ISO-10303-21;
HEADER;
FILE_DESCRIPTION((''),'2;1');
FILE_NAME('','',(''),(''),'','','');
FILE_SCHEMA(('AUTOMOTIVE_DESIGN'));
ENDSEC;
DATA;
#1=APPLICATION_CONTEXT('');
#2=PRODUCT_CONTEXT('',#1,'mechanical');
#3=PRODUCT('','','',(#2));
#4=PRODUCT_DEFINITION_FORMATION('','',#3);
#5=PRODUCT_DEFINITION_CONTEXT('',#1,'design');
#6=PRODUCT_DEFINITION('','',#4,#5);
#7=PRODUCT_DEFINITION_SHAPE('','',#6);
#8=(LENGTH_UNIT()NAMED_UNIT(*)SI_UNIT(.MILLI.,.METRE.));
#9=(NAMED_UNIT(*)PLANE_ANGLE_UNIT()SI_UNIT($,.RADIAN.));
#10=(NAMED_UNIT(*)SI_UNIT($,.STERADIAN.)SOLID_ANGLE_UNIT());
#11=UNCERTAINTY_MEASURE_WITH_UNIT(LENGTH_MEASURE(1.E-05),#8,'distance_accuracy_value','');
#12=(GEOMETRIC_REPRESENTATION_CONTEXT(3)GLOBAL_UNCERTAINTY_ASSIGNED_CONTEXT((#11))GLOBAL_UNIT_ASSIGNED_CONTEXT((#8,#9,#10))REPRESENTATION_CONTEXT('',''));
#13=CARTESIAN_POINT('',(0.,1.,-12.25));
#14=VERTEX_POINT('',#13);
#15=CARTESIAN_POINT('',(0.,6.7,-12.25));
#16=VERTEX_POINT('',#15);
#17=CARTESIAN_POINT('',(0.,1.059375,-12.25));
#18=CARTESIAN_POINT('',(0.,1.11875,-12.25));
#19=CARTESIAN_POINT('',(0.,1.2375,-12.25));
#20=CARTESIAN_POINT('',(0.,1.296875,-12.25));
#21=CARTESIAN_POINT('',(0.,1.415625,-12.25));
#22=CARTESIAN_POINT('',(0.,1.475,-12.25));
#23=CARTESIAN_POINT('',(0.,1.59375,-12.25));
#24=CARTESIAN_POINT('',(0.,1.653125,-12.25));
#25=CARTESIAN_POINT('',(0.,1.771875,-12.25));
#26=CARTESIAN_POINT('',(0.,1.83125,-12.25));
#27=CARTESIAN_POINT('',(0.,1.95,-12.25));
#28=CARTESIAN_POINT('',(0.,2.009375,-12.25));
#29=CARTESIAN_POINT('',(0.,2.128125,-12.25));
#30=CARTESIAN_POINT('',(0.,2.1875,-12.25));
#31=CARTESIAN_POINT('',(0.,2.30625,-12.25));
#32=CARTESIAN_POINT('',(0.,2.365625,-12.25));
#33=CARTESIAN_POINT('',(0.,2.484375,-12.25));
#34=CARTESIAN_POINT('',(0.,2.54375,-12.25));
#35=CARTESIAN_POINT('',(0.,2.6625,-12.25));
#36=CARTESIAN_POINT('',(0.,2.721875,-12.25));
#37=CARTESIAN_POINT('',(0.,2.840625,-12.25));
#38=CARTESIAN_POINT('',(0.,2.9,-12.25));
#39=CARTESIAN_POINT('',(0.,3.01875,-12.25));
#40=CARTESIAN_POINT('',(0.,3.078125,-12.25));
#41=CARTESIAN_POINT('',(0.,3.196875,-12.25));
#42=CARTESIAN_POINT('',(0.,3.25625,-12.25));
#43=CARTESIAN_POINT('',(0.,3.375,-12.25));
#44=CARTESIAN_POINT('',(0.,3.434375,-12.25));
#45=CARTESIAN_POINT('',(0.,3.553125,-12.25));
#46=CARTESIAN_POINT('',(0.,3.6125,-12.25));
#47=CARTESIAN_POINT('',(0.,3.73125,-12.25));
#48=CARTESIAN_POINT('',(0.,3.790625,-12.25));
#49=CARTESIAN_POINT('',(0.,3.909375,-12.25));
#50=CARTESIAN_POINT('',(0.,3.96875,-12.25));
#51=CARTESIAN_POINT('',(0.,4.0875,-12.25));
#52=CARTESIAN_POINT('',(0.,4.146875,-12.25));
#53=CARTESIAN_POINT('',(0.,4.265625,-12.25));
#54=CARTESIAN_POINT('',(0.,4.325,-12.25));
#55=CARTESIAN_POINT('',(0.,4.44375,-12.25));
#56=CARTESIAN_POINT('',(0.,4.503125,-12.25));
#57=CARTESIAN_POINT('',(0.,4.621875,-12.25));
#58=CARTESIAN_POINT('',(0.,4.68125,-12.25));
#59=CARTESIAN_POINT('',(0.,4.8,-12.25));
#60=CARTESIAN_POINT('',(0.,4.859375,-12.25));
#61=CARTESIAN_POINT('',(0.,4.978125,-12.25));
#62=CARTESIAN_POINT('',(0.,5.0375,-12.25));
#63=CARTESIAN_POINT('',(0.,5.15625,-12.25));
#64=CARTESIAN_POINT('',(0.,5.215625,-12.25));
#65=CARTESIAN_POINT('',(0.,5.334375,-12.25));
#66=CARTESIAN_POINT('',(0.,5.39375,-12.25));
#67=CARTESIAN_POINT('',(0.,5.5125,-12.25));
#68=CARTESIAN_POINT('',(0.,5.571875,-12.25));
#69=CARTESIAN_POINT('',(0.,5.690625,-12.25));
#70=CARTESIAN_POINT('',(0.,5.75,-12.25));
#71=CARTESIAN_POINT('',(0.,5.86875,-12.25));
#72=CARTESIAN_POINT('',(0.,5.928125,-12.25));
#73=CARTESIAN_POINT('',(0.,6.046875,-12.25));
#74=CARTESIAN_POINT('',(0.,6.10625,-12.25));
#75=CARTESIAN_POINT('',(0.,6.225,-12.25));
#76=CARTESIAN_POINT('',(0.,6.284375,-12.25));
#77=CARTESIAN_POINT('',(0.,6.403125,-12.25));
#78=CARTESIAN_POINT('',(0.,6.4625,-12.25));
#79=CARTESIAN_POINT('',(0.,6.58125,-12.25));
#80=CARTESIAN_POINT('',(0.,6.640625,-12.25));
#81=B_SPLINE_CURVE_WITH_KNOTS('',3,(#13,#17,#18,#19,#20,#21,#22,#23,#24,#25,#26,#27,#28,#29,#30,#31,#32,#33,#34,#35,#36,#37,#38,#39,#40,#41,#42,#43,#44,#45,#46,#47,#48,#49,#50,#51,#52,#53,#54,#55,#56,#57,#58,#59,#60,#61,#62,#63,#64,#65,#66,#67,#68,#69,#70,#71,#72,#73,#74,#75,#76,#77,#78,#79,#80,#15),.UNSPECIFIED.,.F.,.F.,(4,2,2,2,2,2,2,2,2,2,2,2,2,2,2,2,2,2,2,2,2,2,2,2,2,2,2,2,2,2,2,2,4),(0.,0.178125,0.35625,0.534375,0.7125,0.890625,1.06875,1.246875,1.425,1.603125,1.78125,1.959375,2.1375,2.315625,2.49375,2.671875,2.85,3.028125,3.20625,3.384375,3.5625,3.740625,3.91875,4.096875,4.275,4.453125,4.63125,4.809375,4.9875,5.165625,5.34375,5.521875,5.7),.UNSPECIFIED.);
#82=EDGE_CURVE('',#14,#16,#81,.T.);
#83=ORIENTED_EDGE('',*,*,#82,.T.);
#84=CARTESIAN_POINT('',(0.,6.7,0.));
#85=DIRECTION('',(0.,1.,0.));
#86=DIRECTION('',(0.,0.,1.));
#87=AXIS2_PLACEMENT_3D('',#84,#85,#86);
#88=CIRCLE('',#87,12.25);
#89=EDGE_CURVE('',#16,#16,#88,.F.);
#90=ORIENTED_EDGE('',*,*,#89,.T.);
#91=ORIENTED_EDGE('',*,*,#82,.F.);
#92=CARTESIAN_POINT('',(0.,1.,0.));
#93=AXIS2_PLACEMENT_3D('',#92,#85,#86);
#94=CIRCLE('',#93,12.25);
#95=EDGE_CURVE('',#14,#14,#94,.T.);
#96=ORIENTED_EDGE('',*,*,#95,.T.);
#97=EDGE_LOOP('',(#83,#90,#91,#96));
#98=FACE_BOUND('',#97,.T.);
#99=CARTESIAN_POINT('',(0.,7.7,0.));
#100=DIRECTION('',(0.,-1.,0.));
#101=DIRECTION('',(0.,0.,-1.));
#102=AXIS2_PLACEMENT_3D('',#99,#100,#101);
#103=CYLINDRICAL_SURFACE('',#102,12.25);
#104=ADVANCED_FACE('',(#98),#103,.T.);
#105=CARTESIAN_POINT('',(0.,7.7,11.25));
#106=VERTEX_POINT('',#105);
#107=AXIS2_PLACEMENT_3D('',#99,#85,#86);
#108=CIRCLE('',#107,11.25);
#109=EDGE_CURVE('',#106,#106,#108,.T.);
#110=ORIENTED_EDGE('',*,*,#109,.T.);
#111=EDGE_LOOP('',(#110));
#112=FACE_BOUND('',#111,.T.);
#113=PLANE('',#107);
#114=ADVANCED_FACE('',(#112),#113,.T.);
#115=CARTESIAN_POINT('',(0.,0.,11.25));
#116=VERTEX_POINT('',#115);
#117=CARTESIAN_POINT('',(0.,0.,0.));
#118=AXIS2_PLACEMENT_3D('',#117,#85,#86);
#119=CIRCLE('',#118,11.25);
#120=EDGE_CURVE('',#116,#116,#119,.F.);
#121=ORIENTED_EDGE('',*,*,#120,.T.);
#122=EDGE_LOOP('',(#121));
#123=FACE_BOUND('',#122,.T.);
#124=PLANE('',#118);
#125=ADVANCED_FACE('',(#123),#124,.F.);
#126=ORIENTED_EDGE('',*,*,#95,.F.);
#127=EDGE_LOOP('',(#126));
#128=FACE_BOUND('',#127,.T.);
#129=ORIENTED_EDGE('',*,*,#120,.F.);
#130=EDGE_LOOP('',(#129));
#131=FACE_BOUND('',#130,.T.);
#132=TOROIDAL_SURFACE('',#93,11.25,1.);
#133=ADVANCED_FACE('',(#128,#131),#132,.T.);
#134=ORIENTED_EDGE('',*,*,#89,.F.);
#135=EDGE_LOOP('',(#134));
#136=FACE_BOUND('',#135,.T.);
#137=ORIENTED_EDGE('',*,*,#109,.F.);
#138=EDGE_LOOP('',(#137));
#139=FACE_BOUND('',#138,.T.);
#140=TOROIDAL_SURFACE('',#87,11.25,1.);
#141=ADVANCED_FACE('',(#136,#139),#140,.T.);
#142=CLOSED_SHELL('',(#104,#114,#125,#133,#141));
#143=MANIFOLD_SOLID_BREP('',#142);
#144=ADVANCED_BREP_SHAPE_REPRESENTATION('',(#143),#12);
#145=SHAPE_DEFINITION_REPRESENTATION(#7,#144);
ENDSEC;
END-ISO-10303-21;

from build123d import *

# Parameters (mm, degrees)
SKETCH1_R           = 12.25
BOSS_EXTRUDE1_DEPTH = 7.7
FILLET1_R           = 1


with BuildPart() as part:
    # Sketch1 → Boss-Extrude1 (new body)
    with BuildSketch(Plane(origin=(0, 0, 0), x_dir=(1, 0, 0), z_dir=(0, 1, 0))):
        Circle(SKETCH1_R)
    extrude(amount=BOSS_EXTRUDE1_DEPTH)

    # Fillet1
    fillet1_edges = [part.edges().sort_by_distance(p)[0] for p in [
        (-12.25, 0, 0),
        (-12.25, 7.7, 0),
    ]]
    fillet(fillet1_edges, radius=FILLET1_R)


solid = part.part
